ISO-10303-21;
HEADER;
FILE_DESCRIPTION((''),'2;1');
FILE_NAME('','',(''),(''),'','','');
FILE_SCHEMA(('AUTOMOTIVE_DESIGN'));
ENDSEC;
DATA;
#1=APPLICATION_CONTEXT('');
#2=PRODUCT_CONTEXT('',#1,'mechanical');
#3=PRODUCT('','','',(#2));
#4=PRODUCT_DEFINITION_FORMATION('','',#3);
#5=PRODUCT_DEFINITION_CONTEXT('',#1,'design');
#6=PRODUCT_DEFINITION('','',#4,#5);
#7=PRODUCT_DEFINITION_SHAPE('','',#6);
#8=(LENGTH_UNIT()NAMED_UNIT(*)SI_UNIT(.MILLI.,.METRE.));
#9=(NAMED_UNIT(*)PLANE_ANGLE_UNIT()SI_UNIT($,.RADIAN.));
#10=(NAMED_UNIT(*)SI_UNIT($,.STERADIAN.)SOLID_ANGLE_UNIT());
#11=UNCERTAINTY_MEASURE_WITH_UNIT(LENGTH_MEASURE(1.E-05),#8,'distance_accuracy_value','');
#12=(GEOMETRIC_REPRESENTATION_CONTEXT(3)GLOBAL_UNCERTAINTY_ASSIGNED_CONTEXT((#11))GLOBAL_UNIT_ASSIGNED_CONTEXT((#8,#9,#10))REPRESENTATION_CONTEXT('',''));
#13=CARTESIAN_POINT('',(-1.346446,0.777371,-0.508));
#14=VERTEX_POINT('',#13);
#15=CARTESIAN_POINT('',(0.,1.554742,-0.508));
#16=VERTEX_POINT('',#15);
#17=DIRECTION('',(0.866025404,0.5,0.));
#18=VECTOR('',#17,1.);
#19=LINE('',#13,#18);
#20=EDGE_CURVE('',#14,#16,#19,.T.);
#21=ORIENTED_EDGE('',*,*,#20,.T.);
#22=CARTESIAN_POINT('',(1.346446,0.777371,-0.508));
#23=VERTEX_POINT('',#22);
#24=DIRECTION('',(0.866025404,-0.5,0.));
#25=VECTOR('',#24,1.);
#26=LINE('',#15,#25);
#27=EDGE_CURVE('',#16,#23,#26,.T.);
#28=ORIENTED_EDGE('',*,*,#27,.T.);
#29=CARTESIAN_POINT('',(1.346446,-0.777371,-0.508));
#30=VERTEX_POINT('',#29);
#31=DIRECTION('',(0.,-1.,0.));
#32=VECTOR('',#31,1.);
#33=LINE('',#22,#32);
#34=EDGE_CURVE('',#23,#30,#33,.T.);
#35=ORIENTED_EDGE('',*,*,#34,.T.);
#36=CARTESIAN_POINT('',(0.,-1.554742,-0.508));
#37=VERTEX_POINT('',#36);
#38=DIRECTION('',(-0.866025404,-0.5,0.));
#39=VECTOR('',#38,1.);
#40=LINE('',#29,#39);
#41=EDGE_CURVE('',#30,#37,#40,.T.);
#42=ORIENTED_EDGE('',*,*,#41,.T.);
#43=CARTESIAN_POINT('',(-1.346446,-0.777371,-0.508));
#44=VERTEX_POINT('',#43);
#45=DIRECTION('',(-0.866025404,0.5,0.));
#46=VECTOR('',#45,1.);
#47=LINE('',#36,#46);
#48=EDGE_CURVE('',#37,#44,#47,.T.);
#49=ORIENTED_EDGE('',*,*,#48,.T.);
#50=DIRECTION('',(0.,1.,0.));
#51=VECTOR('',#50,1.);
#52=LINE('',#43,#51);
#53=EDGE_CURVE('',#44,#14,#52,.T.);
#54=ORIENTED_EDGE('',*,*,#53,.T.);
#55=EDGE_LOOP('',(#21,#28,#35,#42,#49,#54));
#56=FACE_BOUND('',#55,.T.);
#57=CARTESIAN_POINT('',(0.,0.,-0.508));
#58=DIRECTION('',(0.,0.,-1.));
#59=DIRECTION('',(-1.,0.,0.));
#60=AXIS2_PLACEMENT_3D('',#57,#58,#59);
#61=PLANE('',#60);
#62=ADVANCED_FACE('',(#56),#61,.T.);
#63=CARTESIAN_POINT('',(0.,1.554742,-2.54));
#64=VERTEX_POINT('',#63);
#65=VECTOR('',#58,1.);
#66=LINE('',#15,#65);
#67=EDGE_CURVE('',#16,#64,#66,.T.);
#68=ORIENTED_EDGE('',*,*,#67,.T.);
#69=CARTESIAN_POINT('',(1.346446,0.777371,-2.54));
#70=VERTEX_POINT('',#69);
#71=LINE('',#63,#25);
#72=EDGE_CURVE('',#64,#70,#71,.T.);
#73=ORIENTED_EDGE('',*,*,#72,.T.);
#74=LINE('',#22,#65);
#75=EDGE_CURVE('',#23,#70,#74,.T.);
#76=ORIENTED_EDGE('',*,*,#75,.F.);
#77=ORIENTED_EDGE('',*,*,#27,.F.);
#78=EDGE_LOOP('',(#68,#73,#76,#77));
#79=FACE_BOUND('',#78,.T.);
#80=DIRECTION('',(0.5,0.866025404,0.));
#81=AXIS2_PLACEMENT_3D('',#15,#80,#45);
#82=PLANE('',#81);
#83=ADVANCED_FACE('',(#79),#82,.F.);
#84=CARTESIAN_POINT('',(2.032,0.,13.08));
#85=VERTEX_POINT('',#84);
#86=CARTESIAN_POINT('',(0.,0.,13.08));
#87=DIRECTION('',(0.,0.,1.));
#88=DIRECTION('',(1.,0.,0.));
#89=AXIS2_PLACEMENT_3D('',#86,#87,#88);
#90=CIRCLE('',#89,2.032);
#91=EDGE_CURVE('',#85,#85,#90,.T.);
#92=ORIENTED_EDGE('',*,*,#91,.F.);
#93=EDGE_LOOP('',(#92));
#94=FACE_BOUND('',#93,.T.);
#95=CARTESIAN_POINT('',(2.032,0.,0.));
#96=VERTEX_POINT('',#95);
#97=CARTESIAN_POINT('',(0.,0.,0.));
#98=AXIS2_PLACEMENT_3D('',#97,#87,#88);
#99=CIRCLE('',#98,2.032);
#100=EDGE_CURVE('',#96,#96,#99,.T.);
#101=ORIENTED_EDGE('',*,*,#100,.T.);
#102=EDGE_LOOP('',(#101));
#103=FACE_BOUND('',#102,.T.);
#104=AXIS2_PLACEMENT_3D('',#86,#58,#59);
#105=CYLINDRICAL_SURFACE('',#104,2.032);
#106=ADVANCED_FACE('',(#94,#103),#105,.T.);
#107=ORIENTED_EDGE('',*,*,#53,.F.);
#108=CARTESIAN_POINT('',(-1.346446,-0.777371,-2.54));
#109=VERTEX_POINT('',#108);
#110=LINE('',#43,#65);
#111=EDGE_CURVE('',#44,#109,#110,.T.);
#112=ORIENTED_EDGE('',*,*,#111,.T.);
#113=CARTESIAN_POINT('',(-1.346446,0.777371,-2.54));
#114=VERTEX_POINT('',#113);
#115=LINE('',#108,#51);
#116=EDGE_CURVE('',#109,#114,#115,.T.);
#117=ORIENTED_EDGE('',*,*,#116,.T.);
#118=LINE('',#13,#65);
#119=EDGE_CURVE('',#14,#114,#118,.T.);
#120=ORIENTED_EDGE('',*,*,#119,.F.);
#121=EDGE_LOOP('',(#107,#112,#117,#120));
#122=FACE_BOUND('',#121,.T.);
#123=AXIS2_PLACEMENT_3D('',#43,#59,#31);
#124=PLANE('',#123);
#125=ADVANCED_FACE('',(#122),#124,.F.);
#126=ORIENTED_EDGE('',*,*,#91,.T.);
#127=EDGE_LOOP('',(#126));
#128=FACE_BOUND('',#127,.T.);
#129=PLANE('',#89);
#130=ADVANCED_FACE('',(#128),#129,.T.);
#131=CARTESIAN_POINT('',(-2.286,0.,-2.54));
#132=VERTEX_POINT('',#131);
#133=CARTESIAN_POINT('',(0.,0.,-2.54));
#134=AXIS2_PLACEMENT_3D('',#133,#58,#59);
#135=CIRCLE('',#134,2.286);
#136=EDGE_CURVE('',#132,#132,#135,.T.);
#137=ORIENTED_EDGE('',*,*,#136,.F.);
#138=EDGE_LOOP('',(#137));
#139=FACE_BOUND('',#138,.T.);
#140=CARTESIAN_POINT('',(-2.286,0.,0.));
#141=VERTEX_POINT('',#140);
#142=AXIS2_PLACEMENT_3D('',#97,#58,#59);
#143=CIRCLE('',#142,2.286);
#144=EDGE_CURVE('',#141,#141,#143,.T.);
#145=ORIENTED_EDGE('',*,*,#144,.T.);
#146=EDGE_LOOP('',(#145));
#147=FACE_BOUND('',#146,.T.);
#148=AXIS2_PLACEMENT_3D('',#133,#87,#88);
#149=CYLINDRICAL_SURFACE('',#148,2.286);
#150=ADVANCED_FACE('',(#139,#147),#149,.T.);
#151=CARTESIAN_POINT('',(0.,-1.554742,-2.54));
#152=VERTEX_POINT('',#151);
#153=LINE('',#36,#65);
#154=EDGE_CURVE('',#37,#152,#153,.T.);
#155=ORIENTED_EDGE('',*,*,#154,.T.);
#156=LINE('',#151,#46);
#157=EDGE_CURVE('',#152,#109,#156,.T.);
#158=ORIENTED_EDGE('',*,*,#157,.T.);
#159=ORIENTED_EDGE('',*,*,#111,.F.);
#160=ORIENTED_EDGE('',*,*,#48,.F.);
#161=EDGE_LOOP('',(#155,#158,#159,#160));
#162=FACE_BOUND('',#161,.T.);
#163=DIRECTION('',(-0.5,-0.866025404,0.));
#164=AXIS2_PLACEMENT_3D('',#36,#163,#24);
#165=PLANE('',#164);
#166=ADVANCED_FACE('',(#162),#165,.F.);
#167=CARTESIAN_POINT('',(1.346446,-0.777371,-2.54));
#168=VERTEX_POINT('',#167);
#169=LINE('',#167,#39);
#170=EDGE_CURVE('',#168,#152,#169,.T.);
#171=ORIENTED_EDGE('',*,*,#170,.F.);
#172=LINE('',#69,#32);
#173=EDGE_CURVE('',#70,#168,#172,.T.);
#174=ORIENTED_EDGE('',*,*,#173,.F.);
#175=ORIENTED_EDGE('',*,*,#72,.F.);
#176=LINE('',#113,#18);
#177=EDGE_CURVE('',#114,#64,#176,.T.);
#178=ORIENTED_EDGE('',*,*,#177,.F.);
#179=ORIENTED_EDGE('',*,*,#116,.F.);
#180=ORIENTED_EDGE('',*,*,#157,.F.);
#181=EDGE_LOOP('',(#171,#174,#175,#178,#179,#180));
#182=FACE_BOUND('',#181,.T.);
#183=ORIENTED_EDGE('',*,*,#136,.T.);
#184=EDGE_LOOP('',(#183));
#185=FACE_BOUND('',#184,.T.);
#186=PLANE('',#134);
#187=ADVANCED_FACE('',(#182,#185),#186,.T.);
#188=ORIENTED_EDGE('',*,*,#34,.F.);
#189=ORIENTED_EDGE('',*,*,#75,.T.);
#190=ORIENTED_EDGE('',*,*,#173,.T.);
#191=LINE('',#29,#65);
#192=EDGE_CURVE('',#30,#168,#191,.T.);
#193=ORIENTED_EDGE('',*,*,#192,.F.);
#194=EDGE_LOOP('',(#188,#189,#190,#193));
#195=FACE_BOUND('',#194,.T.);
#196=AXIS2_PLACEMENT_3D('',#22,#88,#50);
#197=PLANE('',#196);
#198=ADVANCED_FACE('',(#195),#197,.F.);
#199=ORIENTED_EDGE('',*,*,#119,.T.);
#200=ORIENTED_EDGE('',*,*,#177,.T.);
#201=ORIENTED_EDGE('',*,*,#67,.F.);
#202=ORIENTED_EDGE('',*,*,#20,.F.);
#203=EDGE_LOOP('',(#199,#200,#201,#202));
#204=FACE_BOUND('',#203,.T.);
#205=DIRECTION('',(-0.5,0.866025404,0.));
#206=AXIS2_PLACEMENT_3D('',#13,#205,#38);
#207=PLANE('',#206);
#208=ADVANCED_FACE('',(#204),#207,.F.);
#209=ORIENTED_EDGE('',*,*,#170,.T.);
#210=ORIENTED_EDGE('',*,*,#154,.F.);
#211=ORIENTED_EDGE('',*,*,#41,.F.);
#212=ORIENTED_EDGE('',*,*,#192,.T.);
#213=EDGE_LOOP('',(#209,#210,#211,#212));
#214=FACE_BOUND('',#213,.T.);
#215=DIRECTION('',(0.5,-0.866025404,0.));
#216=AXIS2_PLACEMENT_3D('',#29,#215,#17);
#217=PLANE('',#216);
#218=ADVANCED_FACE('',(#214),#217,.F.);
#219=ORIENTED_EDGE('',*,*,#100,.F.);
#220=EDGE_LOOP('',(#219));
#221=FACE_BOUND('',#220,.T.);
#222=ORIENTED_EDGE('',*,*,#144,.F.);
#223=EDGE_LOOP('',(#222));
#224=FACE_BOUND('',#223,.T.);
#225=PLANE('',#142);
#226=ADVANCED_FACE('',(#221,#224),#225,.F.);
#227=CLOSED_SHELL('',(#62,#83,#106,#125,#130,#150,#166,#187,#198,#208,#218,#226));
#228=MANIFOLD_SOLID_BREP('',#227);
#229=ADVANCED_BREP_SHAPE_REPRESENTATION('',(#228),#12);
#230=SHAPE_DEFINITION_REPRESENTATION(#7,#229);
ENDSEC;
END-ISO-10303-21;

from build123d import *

# Parameters (mm, degrees)
SKETCH1_R           = 2.032
BOSS_EXTRUDE1_DEPTH = 13.08
SKETCH2_R           = 2.286
BOSS_EXTRUDE2_DEPTH = 2.54
CUT_EXTRUDE1_DEPTH  = 2.032


with BuildPart() as part:
    # Sketch1 → Boss-Extrude1 (new body)
    with BuildSketch(Plane.XY):
        Circle(SKETCH1_R)
    extrude(amount=BOSS_EXTRUDE1_DEPTH)

    # Sketch2 → Boss-Extrude2 (add)
    with BuildSketch(Plane(origin=(0, 0, 0), x_dir=(-1, 0, 0), z_dir=(0, 0, -1))):
        Circle(SKETCH2_R)
    extrude(amount=BOSS_EXTRUDE2_DEPTH)

    # Sketch3 → Cut-Extrude1 (cut)
    with BuildSketch(Plane(origin=(0, 0, -2.54), x_dir=(-1, 0, 0), z_dir=(0, 0, -1))):
        Polygon((0, -1.554742097), (1.346446152, -0.777371048), (1.346446152, 0.777371048), (0, 1.554742097), (-1.346446152, 0.777371048), (-1.346446152, -0.777371048), align=None)
    extrude(amount=-CUT_EXTRUDE1_DEPTH, mode=Mode.SUBTRACT)


solid = part.part
